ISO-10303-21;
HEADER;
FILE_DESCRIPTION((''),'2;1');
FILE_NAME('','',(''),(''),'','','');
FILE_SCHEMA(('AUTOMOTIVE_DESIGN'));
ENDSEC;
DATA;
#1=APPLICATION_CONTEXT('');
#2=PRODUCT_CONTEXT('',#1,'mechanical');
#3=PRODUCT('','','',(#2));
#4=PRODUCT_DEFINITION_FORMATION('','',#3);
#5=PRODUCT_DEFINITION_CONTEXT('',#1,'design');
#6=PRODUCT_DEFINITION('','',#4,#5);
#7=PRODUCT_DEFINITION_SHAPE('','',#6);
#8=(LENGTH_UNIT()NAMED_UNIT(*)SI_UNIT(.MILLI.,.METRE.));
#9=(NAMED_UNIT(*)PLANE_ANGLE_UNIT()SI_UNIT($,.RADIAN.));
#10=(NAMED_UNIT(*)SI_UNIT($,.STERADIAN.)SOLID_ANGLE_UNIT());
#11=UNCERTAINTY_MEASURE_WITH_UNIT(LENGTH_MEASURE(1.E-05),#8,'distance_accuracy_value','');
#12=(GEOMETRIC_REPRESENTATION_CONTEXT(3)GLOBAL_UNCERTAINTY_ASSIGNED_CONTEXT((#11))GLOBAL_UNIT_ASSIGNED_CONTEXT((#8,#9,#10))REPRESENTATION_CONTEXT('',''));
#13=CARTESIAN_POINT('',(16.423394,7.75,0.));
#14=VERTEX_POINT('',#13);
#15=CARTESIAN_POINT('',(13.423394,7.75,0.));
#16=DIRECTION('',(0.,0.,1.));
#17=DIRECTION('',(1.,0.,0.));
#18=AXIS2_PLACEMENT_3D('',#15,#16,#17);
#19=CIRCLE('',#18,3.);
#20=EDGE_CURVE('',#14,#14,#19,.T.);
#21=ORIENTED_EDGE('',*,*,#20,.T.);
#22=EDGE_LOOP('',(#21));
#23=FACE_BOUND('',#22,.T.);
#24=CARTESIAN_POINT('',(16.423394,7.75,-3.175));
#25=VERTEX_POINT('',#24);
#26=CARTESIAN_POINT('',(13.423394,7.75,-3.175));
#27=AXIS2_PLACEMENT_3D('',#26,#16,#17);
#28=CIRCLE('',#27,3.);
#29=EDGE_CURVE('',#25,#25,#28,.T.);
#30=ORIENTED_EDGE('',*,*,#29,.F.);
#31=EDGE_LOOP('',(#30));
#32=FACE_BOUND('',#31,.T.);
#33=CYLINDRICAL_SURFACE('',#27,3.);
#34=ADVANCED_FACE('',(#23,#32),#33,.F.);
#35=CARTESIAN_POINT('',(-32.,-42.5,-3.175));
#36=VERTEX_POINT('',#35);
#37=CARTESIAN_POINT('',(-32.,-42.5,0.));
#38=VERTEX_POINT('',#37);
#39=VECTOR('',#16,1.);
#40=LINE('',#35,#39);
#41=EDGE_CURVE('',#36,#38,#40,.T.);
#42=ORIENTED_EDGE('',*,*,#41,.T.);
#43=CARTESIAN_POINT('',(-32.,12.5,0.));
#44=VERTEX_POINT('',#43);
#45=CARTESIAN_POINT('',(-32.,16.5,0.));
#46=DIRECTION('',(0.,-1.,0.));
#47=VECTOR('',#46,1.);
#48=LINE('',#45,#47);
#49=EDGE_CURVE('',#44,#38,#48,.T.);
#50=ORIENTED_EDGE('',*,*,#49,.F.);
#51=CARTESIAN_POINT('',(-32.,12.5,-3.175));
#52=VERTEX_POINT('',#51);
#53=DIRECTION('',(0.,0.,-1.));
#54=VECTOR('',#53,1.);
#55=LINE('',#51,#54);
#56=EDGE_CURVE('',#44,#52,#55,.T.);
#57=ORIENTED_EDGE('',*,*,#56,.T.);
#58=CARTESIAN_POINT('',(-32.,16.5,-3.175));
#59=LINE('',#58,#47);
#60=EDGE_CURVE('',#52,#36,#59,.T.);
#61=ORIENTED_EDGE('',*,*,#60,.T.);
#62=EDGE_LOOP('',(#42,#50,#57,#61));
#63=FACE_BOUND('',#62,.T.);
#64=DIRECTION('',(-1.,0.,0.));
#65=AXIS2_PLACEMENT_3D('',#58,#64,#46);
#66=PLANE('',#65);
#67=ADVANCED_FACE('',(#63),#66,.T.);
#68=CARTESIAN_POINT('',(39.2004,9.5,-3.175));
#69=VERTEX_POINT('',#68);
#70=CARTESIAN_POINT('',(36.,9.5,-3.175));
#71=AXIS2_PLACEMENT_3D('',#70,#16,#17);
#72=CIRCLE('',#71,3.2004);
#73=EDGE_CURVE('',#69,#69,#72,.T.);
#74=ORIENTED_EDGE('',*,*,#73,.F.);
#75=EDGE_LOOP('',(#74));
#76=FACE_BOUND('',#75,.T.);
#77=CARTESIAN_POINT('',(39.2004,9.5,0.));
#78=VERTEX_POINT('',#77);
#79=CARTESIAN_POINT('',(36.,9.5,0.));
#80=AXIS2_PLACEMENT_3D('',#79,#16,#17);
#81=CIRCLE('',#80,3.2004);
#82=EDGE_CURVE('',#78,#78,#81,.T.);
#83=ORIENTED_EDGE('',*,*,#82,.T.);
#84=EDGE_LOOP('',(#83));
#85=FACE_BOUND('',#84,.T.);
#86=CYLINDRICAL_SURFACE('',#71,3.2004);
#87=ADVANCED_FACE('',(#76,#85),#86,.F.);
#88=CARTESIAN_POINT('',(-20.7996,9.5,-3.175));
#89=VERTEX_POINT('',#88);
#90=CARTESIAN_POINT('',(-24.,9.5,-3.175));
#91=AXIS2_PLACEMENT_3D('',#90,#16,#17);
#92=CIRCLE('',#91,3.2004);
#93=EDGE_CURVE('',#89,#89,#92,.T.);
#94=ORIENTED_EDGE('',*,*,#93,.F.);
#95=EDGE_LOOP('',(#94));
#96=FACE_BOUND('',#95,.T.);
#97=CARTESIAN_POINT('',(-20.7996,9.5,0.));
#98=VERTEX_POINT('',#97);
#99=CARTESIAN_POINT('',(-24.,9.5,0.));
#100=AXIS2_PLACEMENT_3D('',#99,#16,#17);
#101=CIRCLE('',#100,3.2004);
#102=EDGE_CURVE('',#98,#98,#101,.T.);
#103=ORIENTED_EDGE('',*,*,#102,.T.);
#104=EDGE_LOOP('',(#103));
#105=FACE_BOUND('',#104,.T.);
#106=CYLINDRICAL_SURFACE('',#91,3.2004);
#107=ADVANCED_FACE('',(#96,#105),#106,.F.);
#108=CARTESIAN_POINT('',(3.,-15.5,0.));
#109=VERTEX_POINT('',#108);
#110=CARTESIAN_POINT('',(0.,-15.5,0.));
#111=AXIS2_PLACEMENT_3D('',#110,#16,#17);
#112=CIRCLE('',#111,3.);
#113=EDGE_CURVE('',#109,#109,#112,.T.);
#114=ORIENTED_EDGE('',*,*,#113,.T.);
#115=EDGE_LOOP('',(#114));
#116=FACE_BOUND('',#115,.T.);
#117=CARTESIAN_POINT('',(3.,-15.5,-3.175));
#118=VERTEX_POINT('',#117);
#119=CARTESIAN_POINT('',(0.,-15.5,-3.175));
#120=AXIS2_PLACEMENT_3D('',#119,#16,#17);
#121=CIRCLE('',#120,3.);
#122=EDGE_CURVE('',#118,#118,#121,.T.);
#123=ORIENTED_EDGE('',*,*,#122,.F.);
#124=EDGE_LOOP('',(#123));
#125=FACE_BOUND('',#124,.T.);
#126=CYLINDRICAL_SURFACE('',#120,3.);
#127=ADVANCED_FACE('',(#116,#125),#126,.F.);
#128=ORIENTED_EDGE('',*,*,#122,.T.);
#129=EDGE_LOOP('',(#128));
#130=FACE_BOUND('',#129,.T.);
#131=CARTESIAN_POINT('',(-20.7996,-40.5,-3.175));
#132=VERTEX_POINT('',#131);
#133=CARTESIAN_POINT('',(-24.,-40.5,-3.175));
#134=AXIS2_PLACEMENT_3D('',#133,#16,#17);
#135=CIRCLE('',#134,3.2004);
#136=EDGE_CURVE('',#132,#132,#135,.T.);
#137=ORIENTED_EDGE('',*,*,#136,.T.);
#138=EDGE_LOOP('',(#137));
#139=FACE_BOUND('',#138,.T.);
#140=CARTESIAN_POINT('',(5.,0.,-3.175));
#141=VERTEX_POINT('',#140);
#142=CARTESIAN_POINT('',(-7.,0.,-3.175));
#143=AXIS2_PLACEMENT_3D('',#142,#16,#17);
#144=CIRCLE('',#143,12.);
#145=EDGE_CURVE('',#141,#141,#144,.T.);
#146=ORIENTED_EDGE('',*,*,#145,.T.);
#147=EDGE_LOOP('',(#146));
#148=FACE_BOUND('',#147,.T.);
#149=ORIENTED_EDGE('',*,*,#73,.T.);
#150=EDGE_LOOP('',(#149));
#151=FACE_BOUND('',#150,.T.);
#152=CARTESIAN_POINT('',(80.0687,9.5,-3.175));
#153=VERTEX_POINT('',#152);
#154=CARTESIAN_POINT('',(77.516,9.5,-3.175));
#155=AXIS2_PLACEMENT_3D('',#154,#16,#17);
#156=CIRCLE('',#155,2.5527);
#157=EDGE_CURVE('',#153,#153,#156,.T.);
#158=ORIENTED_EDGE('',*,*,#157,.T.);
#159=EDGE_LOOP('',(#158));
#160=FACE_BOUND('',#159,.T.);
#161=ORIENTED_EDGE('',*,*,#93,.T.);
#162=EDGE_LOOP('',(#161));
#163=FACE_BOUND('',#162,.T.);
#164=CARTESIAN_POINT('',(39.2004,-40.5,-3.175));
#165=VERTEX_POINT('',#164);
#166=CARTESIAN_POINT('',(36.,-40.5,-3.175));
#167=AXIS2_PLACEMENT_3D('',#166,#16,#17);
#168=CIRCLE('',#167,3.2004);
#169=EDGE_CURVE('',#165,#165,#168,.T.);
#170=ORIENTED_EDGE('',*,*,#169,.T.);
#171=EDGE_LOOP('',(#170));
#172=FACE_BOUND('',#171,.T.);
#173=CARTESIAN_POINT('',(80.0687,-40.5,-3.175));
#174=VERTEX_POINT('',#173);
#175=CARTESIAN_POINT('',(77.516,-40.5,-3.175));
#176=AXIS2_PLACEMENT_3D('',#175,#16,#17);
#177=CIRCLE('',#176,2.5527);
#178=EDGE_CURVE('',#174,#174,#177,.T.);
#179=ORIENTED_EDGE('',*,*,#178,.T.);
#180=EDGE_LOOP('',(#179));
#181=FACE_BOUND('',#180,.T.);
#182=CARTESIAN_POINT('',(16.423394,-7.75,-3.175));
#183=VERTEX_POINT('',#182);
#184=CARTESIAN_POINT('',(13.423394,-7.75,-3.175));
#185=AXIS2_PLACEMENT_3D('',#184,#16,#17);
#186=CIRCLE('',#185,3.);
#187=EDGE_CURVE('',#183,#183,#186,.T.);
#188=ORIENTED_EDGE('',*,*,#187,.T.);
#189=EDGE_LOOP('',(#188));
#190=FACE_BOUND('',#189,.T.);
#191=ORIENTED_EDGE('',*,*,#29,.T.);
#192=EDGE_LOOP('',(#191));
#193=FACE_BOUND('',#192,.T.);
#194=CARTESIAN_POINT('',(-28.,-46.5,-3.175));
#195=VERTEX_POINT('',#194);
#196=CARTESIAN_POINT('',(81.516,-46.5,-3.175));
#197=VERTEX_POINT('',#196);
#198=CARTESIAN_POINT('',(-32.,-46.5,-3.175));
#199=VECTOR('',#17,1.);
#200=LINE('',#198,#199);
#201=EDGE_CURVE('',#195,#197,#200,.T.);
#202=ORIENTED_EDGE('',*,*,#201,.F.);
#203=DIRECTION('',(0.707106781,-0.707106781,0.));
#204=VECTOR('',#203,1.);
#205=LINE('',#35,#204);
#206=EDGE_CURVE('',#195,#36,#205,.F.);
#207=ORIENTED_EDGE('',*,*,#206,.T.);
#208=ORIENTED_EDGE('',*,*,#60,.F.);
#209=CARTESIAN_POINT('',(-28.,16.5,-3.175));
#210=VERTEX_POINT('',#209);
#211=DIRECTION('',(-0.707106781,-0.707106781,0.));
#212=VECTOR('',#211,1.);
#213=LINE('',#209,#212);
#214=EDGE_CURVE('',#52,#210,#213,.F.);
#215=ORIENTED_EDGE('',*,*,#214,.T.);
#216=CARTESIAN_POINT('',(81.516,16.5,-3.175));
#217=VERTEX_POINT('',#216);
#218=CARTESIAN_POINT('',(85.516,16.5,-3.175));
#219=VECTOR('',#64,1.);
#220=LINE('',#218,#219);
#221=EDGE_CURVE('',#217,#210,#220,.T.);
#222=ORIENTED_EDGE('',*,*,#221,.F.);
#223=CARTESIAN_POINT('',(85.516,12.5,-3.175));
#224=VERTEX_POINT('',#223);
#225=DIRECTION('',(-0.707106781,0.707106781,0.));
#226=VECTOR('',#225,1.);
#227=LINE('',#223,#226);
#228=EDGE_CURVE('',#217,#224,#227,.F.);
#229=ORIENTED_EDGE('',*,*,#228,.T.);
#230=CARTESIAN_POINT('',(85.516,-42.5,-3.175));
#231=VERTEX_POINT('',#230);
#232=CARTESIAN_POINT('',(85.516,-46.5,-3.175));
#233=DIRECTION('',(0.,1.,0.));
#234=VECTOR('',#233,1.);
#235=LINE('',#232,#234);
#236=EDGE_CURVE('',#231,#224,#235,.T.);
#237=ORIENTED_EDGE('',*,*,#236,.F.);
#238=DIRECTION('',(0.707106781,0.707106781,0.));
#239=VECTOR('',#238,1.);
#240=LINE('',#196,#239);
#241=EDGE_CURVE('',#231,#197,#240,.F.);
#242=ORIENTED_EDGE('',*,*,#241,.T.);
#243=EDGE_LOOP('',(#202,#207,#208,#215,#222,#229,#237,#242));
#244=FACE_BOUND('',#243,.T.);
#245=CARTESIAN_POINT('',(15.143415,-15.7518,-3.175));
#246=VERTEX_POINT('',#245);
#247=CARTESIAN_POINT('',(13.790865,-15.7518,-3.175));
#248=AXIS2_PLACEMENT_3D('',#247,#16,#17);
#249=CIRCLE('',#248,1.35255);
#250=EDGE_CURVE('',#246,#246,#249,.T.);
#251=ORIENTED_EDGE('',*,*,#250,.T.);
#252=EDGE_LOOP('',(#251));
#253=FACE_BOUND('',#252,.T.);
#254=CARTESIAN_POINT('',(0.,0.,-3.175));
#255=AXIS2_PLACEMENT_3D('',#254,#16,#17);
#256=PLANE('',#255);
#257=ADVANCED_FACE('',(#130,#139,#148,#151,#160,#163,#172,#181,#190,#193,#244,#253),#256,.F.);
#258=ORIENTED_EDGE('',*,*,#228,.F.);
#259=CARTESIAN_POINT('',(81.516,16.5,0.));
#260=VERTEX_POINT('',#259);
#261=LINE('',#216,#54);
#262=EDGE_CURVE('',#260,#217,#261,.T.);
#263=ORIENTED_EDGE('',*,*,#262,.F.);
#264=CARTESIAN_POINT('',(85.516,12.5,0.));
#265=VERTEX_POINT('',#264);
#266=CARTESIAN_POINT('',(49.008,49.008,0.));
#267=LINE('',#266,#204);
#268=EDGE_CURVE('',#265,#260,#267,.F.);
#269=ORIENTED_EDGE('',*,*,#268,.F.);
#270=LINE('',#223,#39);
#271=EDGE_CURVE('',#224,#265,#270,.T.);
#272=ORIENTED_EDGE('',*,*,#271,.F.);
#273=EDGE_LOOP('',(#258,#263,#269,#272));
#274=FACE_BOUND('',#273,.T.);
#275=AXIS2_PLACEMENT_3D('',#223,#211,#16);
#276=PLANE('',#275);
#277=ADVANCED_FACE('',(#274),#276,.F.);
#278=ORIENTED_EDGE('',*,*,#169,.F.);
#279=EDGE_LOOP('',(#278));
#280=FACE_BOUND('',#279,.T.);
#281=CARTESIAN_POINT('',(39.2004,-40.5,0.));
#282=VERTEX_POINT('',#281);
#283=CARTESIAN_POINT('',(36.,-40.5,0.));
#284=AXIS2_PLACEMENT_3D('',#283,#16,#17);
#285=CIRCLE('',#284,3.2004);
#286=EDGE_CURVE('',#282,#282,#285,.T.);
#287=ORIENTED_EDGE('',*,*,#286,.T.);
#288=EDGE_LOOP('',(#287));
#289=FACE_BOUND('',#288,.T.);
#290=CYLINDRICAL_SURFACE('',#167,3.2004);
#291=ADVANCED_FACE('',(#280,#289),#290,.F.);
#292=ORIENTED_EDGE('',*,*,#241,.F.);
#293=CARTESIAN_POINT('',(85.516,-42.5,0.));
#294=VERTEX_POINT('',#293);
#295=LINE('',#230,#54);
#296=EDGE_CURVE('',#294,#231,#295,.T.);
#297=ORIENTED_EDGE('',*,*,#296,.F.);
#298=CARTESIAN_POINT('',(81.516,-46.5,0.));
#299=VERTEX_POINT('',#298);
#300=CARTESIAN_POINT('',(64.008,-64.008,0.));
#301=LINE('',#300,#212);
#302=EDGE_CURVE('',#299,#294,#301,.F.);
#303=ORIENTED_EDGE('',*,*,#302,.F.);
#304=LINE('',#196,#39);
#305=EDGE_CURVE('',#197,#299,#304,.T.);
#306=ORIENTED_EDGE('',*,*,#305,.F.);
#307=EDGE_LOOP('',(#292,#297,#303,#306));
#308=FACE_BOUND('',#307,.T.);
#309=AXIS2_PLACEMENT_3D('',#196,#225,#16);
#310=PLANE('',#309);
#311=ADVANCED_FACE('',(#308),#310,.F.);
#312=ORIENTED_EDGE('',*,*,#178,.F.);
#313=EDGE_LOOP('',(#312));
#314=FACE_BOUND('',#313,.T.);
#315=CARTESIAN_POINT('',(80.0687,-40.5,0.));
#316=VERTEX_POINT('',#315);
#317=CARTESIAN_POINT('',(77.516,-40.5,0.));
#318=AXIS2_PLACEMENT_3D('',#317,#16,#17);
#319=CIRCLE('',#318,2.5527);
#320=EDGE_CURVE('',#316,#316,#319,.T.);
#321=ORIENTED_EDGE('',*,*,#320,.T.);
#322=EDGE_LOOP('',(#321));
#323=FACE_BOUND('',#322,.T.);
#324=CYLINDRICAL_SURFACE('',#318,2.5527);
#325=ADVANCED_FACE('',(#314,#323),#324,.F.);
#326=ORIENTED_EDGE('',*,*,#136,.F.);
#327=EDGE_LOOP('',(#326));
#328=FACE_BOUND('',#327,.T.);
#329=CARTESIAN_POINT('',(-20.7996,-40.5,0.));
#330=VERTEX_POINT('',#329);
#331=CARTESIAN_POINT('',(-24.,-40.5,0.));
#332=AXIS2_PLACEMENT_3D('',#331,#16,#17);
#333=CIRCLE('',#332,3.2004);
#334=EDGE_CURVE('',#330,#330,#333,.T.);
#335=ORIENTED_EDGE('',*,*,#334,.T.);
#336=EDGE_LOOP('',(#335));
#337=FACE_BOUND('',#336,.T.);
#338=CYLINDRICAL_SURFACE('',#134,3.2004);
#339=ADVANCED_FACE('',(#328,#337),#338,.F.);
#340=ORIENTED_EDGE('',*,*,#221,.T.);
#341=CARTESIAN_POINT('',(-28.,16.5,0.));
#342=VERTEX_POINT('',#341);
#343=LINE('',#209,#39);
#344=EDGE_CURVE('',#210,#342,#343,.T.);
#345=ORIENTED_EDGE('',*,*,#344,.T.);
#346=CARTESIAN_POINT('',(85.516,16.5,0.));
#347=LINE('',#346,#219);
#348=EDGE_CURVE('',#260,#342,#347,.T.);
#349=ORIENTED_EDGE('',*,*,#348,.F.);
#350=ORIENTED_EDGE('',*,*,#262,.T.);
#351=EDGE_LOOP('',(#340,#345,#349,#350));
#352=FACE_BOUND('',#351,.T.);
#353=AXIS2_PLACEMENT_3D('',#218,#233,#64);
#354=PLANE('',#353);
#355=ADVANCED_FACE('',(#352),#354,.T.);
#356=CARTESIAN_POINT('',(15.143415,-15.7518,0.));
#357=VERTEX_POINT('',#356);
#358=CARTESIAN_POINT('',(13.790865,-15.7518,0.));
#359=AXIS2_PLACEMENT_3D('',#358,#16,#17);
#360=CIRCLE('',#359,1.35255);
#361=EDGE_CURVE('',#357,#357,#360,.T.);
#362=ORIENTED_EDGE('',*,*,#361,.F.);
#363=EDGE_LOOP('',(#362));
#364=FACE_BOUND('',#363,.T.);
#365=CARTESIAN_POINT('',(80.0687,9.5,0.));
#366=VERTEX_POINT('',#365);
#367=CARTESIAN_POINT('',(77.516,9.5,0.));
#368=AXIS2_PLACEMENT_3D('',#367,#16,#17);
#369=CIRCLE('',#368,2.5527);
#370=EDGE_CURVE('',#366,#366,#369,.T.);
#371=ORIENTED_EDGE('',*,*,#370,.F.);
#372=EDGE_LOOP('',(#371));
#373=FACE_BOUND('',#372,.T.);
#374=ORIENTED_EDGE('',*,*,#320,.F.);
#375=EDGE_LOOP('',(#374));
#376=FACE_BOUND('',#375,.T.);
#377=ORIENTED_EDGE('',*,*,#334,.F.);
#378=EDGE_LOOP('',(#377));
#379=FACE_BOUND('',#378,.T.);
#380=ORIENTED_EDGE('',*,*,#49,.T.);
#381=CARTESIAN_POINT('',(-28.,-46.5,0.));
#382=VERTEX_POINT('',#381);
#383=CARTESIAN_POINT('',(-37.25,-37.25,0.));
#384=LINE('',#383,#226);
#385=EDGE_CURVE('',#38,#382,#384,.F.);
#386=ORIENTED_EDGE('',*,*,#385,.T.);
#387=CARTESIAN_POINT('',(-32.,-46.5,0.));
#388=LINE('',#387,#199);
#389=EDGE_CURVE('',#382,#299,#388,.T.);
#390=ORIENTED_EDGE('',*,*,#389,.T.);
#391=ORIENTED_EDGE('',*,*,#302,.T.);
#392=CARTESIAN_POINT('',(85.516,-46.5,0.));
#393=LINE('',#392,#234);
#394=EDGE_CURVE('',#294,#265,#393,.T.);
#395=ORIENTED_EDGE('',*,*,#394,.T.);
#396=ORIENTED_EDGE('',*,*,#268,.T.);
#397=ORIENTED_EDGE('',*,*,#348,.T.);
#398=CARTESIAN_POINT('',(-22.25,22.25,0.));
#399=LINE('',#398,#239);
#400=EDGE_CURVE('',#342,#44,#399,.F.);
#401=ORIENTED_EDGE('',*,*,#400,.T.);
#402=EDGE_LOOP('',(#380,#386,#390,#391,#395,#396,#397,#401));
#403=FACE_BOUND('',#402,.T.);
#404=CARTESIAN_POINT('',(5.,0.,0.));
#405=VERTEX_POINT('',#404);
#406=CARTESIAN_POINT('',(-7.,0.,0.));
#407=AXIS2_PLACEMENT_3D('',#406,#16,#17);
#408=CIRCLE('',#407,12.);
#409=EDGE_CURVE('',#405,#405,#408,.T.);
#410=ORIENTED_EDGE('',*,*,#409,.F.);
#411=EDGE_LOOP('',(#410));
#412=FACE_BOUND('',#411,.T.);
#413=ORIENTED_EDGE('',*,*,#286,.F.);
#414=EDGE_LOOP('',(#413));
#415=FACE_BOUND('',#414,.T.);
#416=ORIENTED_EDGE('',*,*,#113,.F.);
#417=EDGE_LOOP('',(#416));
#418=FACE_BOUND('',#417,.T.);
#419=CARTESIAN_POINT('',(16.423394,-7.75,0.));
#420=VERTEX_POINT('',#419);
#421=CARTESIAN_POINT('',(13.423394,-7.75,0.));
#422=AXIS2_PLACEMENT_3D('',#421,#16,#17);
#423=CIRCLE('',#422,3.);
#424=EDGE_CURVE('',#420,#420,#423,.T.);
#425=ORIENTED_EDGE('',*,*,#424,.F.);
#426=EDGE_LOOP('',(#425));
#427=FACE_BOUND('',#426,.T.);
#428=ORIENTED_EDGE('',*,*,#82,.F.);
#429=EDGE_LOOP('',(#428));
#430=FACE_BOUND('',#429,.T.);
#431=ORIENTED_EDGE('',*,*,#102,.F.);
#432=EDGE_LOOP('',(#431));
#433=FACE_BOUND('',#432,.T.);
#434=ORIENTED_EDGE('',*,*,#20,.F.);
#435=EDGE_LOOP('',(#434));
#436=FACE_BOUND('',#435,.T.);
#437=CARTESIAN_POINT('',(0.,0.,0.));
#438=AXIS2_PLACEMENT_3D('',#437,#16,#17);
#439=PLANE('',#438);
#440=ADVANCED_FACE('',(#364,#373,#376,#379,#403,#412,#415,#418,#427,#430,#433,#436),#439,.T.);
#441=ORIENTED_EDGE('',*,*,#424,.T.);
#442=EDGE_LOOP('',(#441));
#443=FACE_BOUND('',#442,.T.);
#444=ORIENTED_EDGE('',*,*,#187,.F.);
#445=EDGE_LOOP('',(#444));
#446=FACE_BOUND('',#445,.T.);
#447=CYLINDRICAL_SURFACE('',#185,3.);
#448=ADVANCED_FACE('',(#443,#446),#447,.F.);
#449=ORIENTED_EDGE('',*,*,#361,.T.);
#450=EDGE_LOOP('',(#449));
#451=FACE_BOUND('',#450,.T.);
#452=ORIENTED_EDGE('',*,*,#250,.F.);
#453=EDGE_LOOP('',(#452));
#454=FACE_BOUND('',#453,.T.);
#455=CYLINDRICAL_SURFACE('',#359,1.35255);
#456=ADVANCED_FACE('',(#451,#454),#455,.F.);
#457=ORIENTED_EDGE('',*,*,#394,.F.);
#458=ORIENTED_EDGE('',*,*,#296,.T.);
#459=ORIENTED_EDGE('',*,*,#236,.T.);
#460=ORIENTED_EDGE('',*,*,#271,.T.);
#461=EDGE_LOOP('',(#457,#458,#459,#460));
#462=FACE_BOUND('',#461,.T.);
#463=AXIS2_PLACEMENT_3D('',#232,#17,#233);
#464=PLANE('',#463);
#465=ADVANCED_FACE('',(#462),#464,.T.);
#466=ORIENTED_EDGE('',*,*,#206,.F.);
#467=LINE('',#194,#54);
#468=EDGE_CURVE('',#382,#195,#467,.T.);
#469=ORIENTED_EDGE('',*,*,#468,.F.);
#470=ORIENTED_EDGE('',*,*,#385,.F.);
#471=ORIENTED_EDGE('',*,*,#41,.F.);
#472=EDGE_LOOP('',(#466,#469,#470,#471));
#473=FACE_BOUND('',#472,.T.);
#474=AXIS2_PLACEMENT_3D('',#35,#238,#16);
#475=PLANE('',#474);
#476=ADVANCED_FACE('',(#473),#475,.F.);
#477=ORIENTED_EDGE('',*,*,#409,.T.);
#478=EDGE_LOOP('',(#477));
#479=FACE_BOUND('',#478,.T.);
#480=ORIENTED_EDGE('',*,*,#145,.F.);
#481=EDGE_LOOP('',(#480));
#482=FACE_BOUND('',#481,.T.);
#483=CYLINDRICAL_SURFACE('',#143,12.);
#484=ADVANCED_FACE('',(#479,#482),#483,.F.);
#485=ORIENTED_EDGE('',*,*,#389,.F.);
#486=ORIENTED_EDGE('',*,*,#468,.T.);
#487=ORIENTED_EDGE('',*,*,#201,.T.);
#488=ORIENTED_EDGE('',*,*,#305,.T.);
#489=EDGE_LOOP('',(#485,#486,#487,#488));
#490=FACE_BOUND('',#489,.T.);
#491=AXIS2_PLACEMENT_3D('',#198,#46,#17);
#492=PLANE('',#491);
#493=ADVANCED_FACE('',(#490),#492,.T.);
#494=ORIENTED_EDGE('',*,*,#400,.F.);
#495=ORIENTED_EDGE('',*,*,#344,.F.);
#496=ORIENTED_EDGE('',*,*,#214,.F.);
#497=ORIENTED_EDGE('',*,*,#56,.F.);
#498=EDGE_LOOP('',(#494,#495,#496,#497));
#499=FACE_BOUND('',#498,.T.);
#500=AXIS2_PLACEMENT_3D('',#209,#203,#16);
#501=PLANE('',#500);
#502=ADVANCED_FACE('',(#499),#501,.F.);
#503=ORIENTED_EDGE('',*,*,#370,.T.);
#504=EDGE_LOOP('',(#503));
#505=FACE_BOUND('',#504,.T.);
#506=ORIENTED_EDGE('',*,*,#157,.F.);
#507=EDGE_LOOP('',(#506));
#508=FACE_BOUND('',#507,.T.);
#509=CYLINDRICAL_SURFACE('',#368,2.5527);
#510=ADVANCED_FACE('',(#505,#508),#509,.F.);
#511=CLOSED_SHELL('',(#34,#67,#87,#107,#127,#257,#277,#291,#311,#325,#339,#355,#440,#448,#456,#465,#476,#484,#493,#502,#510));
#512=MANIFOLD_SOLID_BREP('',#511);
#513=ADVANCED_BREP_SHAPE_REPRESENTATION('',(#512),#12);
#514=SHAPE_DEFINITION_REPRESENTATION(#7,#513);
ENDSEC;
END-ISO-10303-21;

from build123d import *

# Parameters (mm, degrees)
SKETCH1_W               = 117.516
SKETCH1_H               = 63
SKETCH1_R               = 3.2004
SKETCH1_R_2             = 3
SKETCH1_R_3             = 12
BOSS_EXTRUDE1_DEPTH     = 3.175
CHAMFER1_SIZE           = 4
F_1_4_20_TAPPED_HOLE1_D = 5.1054
F_6_32_TAPPED_HOLE1_D   = 2.7051


with BuildPart() as part:
    # Sketch1 → Boss-Extrude1 (new body)
    with BuildSketch(Plane.XY):
        with Locations((26.758, -14.99999999)):
            Rectangle(SKETCH1_W, SKETCH1_H)
        with Locations((-24, 9.50000001)):
            Circle(SKETCH1_R, mode=Mode.SUBTRACT)
        with Locations((13.423393759, 7.75)):
            Circle(SKETCH1_R_2, mode=Mode.SUBTRACT)
        with Locations((-7, 0)):
            Circle(SKETCH1_R_3, mode=Mode.SUBTRACT)
        with Locations((13.423393759, -7.75)):
            Circle(SKETCH1_R_2, mode=Mode.SUBTRACT)
        with Locations((-24, -40.49999999)):
            Circle(SKETCH1_R, mode=Mode.SUBTRACT)
        with Locations((0, -15.5)):
            Circle(SKETCH1_R_2, mode=Mode.SUBTRACT)
        with Locations((36, -40.49999999)):
            Circle(SKETCH1_R, mode=Mode.SUBTRACT)
        with Locations((36, 9.50000001)):
            Circle(SKETCH1_R, mode=Mode.SUBTRACT)
    extrude(amount=-BOSS_EXTRUDE1_DEPTH)

    # Chamfer1
    chamfer1_edges = [part.edges().sort_by_distance(p)[0] for p in [
        (-32, -46.49999999, -1.5875),
        (-32, 16.50000001, -1.5875),
        (85.516, 16.50000001, -1.5875),
        (85.516, -46.49999999, -1.5875),
    ]]
    chamfer(chamfer1_edges, length=CHAMFER1_SIZE)

    # 1/4-20 Tapped Hole1 (through all)
    with Locations(Plane.XY):
        with Locations((77.516, 9.50000001), (77.516, -40.49999999)):
            Hole(F_1_4_20_TAPPED_HOLE1_D / 2)

    # #6-32 Tapped Hole1 (through all)
    with Locations(Plane.XY):
        with Locations((13.79086472, -15.75179999)):
            Hole(F_6_32_TAPPED_HOLE1_D / 2)


solid = part.part
